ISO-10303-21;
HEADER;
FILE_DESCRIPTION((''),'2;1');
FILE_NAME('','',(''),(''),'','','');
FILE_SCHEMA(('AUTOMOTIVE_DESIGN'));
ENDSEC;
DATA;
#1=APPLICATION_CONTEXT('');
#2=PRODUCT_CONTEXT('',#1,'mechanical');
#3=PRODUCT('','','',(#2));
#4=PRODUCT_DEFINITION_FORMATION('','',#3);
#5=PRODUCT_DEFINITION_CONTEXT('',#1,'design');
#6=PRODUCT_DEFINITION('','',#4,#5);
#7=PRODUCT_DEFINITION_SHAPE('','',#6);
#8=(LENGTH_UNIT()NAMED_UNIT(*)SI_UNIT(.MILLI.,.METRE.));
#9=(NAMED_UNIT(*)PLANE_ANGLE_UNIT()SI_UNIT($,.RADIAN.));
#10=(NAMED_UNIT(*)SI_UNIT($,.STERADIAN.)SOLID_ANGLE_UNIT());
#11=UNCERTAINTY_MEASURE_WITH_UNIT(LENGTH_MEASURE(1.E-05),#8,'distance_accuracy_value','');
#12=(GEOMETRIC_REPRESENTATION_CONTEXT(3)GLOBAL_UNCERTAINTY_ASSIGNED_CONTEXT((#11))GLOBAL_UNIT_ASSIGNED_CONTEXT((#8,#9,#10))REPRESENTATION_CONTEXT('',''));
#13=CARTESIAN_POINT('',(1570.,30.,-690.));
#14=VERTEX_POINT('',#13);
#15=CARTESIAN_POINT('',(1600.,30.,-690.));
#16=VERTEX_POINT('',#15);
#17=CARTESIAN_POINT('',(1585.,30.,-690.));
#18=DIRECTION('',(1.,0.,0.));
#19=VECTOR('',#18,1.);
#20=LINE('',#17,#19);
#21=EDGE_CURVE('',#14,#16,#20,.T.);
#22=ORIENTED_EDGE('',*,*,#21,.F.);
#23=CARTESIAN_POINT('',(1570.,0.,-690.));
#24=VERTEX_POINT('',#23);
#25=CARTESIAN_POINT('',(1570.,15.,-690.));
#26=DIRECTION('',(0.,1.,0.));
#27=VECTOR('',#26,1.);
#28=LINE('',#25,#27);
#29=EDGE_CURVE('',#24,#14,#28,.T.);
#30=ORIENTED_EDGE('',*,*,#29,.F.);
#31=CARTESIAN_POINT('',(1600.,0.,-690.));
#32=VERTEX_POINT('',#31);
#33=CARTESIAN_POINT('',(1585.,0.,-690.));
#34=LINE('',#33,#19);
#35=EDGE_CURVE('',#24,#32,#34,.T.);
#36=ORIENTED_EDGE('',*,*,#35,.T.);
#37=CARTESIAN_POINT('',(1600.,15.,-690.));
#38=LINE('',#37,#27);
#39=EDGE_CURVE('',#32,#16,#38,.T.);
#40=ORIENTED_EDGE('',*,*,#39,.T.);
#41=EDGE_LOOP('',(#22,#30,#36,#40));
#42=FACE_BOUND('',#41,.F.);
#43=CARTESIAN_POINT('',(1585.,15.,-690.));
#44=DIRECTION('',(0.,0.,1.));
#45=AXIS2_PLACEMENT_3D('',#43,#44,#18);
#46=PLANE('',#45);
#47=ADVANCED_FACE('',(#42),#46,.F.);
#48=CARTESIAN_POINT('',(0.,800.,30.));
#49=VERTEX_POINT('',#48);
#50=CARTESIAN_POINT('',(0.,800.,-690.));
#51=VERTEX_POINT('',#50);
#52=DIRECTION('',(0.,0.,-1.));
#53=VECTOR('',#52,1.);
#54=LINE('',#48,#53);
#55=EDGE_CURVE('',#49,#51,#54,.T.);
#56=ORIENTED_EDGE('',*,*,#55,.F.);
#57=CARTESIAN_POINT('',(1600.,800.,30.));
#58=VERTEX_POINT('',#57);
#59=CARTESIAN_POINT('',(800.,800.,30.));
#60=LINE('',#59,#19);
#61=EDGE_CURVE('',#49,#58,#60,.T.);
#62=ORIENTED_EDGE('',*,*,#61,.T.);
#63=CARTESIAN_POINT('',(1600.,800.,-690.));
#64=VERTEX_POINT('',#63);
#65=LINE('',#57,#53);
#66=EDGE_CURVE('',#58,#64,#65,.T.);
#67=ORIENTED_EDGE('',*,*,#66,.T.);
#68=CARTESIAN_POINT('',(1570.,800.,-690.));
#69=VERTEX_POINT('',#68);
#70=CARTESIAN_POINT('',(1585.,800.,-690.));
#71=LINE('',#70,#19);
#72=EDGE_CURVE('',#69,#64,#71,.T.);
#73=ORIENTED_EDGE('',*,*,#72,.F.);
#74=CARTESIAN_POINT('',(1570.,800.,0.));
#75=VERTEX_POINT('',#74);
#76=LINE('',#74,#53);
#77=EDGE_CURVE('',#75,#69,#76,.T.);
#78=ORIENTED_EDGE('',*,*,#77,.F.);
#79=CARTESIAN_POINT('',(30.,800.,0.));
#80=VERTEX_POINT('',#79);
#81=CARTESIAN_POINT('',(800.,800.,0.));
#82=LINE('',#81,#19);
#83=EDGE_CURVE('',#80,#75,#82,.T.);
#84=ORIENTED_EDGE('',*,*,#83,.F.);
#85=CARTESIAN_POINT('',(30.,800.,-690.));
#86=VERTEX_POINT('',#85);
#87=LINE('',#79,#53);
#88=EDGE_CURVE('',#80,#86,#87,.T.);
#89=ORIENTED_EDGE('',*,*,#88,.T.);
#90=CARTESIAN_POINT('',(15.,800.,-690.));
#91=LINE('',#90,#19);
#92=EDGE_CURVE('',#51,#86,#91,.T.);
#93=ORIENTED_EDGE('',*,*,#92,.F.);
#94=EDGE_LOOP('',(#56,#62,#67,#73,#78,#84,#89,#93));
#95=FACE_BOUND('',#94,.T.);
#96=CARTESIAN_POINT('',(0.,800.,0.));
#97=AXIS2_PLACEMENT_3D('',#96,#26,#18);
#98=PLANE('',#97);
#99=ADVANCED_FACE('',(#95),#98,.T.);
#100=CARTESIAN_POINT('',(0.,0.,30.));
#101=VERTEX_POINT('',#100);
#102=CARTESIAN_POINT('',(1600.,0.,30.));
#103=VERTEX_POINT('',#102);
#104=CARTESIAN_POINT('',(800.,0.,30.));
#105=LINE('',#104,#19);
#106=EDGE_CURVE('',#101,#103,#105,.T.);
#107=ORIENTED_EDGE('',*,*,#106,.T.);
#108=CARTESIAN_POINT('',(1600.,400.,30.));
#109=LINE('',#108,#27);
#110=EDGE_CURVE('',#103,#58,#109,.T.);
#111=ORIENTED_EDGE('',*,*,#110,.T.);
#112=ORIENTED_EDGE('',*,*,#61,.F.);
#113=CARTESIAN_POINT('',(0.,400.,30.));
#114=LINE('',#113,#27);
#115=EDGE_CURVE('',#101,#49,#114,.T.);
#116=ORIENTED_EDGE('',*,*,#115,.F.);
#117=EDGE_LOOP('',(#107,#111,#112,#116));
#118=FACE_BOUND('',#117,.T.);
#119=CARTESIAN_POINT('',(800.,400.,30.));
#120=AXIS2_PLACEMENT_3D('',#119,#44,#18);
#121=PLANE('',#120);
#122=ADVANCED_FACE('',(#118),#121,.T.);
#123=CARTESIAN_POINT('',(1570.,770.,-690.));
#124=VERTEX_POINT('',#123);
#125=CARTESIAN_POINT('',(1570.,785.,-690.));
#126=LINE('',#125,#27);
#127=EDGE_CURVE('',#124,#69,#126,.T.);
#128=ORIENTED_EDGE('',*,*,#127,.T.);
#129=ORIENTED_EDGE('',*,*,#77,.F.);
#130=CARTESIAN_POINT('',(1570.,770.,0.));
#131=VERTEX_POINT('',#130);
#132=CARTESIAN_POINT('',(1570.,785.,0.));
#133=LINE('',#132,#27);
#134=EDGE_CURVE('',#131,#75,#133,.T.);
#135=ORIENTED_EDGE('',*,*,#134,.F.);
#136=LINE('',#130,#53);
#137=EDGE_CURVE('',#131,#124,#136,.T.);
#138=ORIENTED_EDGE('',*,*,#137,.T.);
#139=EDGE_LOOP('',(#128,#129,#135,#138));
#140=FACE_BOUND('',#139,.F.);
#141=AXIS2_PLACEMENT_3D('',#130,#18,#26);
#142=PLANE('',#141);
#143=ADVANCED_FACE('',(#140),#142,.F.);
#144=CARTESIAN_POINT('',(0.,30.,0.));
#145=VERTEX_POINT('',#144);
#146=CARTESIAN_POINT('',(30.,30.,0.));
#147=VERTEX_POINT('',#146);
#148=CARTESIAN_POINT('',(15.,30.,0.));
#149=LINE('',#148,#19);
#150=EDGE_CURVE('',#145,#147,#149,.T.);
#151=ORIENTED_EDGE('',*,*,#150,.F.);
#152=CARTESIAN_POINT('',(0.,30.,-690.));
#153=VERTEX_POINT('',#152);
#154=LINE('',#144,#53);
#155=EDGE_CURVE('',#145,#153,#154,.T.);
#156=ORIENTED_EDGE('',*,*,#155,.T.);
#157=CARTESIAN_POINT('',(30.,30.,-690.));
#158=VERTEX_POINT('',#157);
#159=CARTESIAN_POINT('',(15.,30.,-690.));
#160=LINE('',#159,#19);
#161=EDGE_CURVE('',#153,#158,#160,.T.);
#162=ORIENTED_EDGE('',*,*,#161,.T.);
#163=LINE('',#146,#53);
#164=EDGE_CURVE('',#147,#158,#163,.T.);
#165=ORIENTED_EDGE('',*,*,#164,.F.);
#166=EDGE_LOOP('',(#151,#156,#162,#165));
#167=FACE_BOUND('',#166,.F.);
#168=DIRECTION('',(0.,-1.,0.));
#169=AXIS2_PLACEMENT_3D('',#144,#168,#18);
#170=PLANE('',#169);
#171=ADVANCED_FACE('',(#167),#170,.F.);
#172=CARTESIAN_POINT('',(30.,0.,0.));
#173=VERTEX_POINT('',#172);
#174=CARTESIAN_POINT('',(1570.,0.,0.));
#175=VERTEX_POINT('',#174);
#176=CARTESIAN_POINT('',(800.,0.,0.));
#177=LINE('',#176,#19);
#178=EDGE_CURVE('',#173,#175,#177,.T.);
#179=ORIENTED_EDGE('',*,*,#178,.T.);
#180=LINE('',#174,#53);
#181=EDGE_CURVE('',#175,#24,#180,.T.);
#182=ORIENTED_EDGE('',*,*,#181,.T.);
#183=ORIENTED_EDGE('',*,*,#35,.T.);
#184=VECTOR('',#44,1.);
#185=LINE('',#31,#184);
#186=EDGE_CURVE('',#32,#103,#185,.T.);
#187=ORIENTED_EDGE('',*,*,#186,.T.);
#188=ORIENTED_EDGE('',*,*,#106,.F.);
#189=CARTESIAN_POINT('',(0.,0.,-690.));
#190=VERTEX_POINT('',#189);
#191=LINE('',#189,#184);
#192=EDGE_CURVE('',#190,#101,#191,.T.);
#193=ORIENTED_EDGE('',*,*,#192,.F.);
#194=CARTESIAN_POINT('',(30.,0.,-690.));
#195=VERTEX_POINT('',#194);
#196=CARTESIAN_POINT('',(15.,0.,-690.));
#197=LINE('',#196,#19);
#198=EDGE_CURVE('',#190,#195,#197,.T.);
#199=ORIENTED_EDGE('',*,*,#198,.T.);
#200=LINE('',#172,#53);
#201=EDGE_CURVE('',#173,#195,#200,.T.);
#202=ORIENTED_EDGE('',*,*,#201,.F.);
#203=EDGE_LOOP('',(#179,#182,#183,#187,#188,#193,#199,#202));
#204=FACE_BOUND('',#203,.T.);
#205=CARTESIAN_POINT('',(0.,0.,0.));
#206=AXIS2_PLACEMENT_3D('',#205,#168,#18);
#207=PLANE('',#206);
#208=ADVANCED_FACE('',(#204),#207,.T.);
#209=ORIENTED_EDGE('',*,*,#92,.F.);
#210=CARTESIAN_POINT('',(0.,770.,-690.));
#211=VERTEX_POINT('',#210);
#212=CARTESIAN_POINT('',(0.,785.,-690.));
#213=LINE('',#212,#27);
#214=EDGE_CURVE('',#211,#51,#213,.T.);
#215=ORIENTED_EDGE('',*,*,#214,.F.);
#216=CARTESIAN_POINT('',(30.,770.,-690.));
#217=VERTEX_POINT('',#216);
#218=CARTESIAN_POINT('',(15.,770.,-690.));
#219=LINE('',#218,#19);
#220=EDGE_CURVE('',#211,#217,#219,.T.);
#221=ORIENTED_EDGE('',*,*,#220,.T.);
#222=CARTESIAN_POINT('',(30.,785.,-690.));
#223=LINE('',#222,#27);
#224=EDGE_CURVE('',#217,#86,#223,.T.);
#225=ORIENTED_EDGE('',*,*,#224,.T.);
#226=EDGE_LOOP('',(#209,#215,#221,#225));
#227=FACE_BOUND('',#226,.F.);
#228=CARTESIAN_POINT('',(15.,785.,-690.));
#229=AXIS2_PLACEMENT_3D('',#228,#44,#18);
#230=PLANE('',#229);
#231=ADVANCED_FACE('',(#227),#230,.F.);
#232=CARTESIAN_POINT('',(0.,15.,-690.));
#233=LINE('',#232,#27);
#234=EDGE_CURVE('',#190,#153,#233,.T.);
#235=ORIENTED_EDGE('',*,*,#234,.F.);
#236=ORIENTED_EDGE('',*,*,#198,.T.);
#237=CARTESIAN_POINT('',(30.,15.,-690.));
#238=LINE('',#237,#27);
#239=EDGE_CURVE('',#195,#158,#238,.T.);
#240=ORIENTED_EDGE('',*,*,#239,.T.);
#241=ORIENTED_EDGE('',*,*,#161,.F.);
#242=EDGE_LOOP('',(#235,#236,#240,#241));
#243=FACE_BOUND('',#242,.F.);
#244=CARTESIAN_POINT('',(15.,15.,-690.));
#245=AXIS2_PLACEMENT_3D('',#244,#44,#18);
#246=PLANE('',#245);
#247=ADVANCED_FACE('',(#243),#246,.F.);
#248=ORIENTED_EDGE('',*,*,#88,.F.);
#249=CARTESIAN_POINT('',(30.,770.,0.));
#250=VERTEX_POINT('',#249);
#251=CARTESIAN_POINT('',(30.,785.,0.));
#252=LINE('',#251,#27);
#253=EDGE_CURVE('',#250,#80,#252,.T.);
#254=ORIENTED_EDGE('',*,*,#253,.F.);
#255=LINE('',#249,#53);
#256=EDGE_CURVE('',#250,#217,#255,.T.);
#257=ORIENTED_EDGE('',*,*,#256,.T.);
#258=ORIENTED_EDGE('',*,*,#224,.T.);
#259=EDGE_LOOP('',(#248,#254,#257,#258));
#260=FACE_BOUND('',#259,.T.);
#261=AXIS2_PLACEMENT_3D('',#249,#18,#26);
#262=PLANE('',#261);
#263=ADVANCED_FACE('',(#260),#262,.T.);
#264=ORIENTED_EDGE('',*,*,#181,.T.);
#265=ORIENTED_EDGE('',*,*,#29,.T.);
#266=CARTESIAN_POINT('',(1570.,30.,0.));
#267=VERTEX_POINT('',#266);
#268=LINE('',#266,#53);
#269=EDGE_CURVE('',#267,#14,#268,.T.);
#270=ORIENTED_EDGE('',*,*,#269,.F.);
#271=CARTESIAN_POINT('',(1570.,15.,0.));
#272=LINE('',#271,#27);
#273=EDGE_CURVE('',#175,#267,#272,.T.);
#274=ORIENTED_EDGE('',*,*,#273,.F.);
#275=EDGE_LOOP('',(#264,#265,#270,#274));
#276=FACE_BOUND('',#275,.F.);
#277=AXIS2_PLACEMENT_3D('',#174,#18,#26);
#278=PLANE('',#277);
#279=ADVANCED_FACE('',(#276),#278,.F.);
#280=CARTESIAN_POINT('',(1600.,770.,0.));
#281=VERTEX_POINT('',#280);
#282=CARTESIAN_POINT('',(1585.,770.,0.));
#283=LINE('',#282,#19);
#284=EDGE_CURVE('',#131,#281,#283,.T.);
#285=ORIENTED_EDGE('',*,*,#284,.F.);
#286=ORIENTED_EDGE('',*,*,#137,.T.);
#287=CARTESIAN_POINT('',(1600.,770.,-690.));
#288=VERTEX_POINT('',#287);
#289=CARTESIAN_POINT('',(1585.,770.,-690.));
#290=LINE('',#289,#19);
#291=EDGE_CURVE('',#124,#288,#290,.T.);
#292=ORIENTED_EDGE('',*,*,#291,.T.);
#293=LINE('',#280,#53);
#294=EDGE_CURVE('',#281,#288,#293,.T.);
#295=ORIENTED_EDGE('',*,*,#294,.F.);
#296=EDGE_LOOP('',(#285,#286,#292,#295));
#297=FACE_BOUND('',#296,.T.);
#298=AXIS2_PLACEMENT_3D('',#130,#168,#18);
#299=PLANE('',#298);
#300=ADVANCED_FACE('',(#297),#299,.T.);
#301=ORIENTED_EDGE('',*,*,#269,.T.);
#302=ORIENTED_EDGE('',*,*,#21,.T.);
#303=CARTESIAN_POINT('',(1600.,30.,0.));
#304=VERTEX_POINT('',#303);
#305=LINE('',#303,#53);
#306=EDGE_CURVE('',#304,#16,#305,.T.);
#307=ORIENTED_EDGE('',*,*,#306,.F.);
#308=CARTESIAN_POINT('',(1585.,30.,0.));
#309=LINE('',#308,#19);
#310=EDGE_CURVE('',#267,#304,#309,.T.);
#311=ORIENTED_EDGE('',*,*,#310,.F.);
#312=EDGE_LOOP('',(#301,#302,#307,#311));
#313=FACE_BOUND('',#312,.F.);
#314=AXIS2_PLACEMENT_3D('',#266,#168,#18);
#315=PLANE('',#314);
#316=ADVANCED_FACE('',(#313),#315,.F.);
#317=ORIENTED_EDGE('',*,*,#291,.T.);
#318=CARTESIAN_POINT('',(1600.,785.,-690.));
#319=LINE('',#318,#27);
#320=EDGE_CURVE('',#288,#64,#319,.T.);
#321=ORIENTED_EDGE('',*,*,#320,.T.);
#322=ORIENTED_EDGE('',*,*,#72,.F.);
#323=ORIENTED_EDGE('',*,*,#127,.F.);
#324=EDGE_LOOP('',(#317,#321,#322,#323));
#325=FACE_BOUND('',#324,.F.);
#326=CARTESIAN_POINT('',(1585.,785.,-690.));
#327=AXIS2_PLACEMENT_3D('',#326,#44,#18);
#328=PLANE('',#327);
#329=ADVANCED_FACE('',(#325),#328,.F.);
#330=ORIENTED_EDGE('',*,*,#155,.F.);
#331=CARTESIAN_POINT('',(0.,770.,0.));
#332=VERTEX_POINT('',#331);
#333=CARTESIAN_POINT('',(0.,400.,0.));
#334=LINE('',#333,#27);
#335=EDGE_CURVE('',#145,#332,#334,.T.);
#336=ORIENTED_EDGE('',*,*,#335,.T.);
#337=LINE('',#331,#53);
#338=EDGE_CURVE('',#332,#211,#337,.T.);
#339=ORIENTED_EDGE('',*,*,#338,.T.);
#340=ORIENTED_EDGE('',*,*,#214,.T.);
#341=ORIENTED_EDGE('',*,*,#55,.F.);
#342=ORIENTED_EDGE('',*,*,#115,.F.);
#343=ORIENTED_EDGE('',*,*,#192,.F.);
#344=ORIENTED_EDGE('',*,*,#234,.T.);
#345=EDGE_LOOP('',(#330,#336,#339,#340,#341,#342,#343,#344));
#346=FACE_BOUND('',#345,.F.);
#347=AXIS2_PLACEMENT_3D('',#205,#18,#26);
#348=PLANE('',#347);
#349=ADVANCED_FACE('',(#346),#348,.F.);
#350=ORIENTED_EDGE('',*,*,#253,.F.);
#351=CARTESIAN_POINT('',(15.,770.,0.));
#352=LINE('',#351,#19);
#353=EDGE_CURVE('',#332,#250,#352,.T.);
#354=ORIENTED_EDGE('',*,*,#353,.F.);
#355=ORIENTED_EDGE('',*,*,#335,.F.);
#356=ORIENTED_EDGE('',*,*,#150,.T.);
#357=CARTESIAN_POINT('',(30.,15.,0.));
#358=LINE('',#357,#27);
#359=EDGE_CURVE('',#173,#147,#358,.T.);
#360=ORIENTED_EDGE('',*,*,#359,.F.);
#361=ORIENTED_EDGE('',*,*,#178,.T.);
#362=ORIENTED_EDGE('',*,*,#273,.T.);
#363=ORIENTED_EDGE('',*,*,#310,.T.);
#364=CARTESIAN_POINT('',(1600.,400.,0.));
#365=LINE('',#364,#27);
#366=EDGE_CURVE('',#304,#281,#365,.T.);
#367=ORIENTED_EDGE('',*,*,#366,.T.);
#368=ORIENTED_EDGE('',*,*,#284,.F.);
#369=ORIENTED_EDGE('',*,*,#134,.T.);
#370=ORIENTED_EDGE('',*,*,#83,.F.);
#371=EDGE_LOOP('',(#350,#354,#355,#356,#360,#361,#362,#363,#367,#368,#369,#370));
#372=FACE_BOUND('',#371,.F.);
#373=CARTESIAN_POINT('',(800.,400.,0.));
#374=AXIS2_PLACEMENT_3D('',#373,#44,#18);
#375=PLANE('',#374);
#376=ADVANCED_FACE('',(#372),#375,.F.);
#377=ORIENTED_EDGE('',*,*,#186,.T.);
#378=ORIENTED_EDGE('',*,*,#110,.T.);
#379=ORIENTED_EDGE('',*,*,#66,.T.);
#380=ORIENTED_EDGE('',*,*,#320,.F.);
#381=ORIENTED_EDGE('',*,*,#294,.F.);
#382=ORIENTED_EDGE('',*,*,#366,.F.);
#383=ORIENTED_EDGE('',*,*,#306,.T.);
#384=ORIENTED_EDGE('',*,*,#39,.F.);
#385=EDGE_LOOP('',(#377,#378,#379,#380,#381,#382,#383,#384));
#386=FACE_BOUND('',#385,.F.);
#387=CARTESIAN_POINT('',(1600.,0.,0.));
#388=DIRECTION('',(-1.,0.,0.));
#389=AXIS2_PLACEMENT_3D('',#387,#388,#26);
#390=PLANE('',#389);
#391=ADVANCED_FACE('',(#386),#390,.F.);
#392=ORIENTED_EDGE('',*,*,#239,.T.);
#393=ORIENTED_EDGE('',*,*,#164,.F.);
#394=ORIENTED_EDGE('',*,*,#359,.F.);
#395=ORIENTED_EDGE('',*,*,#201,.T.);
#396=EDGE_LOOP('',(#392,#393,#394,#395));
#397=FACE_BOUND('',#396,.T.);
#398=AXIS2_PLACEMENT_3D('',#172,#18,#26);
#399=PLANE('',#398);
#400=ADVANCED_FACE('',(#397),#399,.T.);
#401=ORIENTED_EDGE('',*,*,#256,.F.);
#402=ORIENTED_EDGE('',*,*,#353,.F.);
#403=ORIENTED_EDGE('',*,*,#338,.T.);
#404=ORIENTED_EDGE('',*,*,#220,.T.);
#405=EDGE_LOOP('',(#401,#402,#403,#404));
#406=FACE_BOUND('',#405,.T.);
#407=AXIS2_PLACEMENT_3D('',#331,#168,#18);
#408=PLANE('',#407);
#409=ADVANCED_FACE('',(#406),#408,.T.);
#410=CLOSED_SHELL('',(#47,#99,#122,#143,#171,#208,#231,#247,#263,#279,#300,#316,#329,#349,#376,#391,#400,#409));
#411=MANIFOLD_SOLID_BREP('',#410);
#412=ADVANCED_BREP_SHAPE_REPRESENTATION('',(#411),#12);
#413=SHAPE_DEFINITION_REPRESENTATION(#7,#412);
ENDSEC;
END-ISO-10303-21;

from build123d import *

# Parameters (mm, degrees)
F0_W     = 1600
F0_H     = 800
F1_DEPTH = 30
F2_W     = 30
F2_H     = 30
F3_DEPTH = 690


with BuildPart() as f1:
    # F0 (on Top) → F1 (new body)
    with BuildSketch(Plane.XY):
        with Locations((800, 400)):
            Rectangle(F0_W, F0_H)
    extrude(amount=F1_DEPTH)

    # F2 (on Top) → F3 (join)
    with BuildSketch(Plane.XY):
        with Locations((15, 15)):
            Rectangle(F2_W, F2_H)
        with Locations((15, 785)):
            Rectangle(F2_W, F2_H)
        with Locations((1585, 15)):
            Rectangle(F2_W, F2_H)
        with Locations((1585, 785)):
            Rectangle(F2_W, F2_H)
    extrude(amount=-F3_DEPTH)


solid = f1.part
